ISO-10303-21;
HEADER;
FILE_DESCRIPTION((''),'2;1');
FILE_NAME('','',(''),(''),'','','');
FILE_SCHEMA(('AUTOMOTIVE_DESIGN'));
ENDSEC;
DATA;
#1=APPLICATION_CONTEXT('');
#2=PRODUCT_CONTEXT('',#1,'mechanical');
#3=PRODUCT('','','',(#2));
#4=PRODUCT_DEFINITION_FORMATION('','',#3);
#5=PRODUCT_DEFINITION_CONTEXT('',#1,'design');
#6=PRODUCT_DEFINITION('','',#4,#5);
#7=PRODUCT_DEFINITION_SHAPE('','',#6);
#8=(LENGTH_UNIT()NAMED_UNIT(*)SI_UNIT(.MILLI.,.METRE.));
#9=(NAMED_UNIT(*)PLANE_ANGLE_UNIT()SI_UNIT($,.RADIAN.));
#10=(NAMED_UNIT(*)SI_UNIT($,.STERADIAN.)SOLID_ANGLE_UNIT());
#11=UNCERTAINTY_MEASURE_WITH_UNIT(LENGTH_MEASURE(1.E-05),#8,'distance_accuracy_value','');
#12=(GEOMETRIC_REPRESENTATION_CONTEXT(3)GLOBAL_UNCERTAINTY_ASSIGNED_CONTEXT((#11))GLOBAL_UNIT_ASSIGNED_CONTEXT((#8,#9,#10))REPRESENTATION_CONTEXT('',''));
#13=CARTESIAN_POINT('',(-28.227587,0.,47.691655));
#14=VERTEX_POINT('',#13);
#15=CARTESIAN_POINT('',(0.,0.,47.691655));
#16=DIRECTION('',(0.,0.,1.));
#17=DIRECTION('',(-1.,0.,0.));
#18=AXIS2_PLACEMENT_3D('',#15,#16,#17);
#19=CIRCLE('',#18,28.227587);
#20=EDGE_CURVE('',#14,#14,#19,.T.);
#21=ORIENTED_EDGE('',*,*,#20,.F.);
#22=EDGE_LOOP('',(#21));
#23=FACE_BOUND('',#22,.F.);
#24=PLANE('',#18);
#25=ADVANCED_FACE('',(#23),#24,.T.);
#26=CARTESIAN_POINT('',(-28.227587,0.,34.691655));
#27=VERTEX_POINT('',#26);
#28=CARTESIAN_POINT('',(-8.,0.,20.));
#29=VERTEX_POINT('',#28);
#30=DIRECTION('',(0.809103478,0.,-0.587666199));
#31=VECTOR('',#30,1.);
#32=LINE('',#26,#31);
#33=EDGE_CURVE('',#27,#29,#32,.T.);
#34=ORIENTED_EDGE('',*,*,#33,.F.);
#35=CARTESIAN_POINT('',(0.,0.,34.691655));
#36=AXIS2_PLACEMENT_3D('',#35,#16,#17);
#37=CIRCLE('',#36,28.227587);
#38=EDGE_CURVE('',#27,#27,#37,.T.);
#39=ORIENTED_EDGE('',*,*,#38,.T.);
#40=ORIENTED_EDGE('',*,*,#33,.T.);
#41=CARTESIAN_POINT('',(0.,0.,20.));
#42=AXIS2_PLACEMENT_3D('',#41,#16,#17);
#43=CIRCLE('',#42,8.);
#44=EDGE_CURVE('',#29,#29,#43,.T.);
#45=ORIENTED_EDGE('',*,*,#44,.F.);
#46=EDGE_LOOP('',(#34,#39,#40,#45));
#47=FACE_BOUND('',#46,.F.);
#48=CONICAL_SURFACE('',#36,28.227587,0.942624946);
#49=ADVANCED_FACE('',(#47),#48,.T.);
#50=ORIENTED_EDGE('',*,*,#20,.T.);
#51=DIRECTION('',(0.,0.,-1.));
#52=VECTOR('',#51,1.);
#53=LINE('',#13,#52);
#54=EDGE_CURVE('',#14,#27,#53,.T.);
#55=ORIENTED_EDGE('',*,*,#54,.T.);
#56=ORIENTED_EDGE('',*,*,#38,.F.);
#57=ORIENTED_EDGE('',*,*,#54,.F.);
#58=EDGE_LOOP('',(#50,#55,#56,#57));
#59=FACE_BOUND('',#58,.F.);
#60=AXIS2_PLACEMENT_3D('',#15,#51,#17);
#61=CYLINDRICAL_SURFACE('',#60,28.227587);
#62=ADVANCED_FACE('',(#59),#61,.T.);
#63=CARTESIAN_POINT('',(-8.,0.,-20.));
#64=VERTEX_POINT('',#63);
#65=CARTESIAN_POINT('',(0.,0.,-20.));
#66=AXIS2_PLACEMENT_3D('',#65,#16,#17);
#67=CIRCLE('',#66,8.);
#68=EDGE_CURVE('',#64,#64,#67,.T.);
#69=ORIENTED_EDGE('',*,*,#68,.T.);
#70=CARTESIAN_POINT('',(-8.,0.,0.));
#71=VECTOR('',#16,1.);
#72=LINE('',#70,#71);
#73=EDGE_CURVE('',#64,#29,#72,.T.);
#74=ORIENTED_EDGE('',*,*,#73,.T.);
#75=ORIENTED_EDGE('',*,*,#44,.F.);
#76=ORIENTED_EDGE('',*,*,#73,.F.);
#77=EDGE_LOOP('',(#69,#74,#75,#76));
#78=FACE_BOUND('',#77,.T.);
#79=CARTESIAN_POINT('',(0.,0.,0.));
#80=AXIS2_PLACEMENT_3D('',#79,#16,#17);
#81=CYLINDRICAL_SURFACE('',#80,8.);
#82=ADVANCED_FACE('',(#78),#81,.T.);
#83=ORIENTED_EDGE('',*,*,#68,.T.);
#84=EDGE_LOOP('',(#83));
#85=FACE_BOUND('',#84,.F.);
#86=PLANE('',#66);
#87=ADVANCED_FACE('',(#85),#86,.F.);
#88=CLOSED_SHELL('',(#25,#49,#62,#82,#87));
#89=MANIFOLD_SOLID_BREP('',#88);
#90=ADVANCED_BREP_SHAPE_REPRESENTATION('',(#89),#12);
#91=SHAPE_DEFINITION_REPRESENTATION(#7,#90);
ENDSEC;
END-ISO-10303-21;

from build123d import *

# Parameters (mm, degrees)
F0_W = 8
F0_H = 40


with BuildPart() as f1:
    # F0 (on Front) → F1 (revolve)
    with BuildSketch(Plane.XZ):
        Polygon((-8, 20), (0, 20), (0, 47.691655), (-28.227587, 47.691655), (-28.227587, 34.691655), align=None)
        with Locations((-4, 0)):
            Rectangle(F0_W, F0_H)
    revolve(axis=Axis((0, 0, 13.845827), (0, 0, 1)))


solid = f1.part
